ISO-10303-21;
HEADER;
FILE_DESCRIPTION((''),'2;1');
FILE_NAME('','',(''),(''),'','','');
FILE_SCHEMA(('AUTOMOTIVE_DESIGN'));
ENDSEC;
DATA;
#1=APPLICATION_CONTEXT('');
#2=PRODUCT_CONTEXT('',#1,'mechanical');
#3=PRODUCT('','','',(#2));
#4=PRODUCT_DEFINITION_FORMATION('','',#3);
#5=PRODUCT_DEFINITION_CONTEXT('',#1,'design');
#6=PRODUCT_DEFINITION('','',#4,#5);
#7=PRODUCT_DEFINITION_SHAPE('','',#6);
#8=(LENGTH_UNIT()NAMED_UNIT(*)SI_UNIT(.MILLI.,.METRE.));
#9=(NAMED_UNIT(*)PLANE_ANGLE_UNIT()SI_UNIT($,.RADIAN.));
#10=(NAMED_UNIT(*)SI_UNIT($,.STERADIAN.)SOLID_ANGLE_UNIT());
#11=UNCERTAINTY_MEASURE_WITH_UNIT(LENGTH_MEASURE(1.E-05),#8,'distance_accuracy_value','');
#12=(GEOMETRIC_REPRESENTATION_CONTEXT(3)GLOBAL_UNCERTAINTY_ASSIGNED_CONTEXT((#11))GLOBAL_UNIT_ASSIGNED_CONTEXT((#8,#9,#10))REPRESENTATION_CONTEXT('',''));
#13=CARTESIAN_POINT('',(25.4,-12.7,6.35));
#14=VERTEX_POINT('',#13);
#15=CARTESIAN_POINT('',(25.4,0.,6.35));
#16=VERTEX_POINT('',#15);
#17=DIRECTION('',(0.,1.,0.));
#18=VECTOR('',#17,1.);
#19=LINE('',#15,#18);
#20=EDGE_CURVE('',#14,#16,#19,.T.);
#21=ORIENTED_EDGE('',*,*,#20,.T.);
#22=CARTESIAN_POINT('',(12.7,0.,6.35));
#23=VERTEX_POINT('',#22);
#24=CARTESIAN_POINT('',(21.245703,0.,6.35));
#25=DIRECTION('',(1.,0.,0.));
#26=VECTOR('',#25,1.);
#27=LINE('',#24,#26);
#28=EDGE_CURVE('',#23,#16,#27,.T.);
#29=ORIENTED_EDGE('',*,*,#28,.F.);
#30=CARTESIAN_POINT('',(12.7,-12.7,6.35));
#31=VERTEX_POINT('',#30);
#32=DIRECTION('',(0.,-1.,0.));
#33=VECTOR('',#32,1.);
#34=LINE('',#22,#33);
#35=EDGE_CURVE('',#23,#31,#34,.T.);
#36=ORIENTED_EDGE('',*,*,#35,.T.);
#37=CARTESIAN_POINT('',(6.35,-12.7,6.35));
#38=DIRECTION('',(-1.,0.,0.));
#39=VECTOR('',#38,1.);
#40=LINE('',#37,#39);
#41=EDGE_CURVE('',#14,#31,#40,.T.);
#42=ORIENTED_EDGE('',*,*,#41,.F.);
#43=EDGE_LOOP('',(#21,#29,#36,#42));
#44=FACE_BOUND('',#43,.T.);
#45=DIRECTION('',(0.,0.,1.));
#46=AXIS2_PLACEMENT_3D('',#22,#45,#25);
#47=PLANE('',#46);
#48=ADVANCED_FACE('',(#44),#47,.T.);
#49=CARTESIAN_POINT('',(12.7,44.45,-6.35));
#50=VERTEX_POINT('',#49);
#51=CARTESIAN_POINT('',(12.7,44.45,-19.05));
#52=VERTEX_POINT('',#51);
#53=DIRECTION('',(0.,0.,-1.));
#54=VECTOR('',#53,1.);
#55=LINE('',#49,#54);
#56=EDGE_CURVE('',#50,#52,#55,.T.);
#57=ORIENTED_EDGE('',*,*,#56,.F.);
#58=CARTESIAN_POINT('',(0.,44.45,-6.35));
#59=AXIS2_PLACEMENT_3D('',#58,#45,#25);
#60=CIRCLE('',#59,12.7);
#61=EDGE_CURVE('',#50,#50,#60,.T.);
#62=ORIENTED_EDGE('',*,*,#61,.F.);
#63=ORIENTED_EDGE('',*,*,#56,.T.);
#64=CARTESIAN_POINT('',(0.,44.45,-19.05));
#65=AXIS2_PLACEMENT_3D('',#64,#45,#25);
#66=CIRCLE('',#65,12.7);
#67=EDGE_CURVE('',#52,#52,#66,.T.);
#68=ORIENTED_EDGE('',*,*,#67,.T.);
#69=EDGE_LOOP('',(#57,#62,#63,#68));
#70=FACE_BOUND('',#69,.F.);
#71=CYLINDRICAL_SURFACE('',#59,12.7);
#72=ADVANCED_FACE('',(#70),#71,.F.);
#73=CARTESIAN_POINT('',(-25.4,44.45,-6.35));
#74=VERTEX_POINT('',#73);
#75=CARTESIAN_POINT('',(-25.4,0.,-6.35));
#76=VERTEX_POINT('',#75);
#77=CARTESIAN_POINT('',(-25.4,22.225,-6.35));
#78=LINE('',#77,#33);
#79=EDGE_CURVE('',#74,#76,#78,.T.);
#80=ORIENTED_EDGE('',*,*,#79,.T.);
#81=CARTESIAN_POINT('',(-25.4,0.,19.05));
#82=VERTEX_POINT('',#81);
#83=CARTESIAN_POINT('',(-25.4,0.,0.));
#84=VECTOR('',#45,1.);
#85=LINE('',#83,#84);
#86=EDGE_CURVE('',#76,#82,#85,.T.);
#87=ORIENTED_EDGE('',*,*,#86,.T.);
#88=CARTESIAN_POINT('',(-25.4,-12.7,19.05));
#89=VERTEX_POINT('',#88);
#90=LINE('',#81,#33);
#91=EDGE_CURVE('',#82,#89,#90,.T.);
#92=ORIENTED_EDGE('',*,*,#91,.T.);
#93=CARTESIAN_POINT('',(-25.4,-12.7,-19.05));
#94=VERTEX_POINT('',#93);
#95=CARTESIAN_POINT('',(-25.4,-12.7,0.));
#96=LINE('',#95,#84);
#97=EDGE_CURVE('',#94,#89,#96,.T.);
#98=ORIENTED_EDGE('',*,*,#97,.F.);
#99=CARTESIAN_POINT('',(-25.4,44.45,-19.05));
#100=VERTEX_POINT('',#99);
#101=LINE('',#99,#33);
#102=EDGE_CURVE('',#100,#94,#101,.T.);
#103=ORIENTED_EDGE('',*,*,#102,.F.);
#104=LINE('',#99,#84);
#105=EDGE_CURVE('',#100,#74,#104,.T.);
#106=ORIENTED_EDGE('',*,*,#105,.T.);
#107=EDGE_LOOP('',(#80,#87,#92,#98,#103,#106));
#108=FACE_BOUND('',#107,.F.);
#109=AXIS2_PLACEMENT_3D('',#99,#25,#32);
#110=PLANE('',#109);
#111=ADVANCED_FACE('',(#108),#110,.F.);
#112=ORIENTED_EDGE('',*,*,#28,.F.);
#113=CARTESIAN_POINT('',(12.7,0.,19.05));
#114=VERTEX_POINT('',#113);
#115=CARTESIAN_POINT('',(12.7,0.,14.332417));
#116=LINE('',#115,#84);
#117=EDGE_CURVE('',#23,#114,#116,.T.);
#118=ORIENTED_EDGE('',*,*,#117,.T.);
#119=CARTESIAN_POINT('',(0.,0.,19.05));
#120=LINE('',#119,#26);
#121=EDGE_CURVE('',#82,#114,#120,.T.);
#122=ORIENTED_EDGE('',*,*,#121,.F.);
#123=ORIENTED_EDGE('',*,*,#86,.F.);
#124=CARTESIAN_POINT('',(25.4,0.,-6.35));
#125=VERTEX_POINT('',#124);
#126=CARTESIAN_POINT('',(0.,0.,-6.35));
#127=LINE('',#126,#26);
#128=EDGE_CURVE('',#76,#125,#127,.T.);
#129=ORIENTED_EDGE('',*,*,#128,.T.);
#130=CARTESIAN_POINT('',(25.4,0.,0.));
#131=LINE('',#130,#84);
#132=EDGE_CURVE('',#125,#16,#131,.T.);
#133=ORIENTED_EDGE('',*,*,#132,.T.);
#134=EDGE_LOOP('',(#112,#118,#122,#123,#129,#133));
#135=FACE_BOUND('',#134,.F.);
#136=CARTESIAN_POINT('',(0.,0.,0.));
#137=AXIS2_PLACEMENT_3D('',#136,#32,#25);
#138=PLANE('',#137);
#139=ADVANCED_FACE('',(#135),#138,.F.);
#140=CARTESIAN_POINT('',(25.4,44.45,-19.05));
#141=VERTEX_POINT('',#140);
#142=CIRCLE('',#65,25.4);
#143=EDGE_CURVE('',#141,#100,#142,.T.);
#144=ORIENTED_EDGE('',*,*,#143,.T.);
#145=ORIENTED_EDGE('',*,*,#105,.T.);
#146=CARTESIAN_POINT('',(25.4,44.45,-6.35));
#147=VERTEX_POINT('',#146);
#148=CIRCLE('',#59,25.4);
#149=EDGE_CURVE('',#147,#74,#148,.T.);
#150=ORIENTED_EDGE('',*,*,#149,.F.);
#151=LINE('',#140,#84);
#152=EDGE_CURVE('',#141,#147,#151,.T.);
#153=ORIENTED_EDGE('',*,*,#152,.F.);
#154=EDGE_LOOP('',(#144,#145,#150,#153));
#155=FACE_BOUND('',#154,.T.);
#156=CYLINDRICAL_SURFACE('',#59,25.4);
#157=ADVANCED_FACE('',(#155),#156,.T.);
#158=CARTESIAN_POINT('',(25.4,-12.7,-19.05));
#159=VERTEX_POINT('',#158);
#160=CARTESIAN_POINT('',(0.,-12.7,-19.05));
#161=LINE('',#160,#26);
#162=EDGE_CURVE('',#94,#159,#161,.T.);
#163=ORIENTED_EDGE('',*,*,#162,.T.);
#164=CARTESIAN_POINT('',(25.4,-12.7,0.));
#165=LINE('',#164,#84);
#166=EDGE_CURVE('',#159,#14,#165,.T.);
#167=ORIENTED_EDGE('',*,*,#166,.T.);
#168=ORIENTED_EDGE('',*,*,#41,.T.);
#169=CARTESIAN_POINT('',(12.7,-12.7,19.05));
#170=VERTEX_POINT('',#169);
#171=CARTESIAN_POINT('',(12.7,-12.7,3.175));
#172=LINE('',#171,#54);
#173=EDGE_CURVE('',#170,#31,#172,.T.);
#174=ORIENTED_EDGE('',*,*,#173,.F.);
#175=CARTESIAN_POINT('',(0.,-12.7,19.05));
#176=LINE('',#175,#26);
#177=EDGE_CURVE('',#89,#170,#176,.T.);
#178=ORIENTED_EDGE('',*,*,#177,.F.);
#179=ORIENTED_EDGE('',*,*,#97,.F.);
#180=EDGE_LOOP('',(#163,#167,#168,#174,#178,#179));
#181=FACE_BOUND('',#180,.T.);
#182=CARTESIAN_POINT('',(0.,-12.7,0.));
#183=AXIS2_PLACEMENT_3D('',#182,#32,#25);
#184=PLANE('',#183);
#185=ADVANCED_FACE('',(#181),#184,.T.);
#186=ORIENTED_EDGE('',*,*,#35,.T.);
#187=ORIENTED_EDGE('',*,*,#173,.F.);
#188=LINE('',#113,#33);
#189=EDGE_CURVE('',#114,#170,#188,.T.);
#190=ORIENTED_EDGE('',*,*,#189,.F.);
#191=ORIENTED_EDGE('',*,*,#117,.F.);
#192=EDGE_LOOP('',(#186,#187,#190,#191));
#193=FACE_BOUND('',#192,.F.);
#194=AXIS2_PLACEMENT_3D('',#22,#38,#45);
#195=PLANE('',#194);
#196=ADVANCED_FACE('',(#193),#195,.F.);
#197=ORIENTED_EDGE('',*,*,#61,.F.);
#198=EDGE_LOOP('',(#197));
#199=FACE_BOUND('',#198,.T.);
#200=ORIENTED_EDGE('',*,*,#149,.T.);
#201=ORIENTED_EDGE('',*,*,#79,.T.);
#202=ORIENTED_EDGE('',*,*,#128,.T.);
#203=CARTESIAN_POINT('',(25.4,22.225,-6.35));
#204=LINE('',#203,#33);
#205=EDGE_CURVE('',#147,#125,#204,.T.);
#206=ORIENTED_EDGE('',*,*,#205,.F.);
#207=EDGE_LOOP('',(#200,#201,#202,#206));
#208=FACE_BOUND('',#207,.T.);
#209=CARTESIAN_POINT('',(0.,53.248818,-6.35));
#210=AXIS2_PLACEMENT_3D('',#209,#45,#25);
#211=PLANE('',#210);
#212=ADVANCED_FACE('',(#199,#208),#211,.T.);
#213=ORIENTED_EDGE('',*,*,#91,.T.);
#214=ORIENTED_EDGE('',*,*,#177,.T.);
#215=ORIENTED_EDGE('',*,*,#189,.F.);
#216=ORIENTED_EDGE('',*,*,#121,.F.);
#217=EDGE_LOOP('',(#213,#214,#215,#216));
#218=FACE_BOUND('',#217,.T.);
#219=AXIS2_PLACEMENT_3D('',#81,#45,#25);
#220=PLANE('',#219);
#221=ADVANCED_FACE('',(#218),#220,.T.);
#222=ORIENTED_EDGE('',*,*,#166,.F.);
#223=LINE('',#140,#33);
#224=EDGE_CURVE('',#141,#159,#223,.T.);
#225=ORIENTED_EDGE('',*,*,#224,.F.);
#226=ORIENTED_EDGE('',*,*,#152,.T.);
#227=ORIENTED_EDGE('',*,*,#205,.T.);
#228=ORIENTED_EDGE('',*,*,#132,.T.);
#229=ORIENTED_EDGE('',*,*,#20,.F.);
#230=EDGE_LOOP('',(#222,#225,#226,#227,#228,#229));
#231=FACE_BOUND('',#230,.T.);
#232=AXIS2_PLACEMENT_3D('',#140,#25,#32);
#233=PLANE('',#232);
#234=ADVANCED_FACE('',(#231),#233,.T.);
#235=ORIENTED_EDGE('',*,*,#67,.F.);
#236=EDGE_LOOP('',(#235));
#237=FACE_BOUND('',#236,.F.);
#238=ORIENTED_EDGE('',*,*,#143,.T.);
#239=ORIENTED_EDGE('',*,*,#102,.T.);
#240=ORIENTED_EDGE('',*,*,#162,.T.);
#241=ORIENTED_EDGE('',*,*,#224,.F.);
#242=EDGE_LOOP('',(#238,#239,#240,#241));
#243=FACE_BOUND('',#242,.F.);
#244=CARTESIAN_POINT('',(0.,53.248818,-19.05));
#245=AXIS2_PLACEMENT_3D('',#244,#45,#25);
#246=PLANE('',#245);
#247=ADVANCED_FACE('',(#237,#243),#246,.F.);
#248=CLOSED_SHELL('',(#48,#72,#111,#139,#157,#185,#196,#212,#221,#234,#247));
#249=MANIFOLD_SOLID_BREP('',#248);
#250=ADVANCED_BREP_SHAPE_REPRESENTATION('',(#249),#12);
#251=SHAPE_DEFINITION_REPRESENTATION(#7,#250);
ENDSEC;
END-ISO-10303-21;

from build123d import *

# Parameters (mm, degrees)
F0_W     = 50.8
F0_H     = 38.1
F1_DEPTH = 12.7
F2_W     = 17.091405
F2_H     = 15.964834
F3_DEPTH = 12.701
F4_W     = 50.8
F4_H     = 44.45
F5_DEPTH = 12.7
F7_DEPTH = 12.7
F8_R     = 12.7
F9_DEPTH = 12.701


with BuildPart() as f1:
    # F0 (on Front) → F1 (new body)
    with BuildSketch(Plane.XZ):
        Rectangle(F0_W, F0_H)
    extrude(amount=F1_DEPTH)

    # F2 (on Front) → F3 (cut, through all)
    with BuildSketch(Plane.XZ):
        with Locations((21.245703, 14.332417)):
            Rectangle(F2_W, F2_H)
    extrude(amount=F3_DEPTH, mode=Mode.SUBTRACT)

    # F4 (on face) → F5 (join)
    with BuildSketch(Plane(origin=(0, 0, -19.05), x_dir=(1, 0, 0), z_dir=(0, 0, -1))):
        with Locations((0, -22.225)):
            Rectangle(F4_W, F4_H)
    extrude(amount=-F5_DEPTH)

    # F6 (on face) → F7 (join)
    with BuildSketch(Plane.XY.offset(-6.35)):
        with BuildLine():
            Line((-25.4, 44.45), (25.4, 44.45))
            ThreePointArc((25.4, 44.45), (0, 69.85), (-25.4, 44.45))
        make_face()
    extrude(amount=-F7_DEPTH)

    # F8 (on face) → F9 (cut, through all)
    with BuildSketch(Plane.XY.offset(-6.35)):
        with Locations((0, 44.45)):
            Circle(F8_R)
    extrude(amount=-F9_DEPTH, mode=Mode.SUBTRACT)


solid = f1.part
